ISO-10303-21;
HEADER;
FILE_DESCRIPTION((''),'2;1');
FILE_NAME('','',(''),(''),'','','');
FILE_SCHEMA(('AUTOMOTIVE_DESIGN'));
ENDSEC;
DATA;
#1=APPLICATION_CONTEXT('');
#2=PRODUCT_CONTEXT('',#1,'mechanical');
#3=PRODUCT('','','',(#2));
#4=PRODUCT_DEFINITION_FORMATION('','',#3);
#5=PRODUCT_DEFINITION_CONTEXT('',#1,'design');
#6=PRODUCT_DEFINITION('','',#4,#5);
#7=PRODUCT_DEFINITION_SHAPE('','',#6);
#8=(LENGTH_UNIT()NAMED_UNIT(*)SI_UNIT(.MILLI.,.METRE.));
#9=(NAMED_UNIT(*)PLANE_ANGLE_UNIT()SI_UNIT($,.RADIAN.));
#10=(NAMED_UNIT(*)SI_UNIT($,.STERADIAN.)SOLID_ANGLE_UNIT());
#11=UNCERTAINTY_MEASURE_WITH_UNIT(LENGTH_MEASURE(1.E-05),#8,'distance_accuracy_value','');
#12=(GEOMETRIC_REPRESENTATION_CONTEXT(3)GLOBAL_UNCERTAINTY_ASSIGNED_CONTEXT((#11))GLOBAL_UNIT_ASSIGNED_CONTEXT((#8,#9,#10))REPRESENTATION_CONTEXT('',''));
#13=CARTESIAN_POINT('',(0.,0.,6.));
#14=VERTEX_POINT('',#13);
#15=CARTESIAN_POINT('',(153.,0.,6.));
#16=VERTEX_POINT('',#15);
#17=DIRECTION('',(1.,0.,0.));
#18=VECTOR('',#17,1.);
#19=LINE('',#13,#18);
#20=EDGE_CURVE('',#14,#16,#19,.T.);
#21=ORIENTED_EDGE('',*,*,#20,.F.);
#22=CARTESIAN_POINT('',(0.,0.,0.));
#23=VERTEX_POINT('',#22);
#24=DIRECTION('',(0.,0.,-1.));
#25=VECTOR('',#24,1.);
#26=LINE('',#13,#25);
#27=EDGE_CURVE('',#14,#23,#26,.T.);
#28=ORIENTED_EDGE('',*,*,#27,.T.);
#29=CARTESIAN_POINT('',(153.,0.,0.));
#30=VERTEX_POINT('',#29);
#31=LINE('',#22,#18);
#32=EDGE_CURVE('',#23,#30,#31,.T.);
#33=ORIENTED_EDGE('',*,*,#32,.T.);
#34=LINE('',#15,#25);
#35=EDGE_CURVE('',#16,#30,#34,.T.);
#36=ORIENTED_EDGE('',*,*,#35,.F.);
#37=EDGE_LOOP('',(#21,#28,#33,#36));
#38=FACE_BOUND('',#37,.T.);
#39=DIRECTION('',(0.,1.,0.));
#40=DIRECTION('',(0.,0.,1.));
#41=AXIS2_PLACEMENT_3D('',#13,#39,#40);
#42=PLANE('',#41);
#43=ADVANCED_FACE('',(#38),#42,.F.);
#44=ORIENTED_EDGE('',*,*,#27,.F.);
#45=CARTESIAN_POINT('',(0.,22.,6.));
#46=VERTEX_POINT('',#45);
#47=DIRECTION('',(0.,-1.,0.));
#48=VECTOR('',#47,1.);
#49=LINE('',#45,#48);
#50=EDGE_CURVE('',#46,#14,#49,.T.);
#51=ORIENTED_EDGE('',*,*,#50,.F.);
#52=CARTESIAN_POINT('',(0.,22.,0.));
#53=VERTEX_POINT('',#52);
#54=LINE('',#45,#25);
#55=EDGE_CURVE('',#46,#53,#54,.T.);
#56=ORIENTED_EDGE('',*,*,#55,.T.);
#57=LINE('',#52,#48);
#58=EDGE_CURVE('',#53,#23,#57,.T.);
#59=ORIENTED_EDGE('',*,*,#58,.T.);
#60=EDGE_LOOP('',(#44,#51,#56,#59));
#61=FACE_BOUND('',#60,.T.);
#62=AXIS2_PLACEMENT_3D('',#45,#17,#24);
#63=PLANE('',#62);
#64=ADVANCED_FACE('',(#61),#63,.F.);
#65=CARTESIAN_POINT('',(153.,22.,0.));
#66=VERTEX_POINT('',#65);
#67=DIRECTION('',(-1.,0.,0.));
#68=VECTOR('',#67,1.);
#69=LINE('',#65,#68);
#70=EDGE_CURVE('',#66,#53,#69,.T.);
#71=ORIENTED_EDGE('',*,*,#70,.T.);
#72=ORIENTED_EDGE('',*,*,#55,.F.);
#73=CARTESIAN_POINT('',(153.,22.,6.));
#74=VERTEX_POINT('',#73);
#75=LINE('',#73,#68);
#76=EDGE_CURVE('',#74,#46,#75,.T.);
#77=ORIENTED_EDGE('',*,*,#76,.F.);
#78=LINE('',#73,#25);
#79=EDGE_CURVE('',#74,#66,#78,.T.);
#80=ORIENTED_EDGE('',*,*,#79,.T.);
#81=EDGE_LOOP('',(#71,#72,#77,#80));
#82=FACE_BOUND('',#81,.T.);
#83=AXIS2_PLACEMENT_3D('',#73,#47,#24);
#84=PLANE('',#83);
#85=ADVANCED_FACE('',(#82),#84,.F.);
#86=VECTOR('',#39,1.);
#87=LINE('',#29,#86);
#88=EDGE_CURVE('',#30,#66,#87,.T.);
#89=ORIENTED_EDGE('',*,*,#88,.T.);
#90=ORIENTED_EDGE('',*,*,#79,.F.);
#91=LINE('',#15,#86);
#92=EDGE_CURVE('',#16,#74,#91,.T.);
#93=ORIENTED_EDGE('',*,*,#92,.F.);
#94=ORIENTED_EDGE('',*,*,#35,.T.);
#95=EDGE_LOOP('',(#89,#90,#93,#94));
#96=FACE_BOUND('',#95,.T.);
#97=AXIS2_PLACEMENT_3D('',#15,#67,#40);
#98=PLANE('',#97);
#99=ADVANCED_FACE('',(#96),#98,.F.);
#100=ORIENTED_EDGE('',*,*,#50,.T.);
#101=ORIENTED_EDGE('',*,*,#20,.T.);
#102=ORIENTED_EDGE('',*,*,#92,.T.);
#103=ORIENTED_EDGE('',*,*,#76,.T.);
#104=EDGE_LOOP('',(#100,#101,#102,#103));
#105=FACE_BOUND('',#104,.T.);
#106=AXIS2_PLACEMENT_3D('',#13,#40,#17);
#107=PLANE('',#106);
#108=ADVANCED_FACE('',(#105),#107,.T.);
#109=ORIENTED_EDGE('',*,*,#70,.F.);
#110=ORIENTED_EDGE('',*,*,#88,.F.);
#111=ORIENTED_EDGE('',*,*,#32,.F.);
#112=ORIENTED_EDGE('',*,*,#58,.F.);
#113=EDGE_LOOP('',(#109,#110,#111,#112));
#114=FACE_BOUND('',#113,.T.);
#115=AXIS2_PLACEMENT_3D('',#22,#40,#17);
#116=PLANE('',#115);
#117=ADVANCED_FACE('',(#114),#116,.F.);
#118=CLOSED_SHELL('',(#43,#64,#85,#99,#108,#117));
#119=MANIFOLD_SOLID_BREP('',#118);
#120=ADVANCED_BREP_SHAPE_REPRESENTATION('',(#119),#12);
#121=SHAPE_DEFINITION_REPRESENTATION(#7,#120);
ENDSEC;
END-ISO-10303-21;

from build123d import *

# Parameters (mm, degrees)
SKETCH_1_W          = 153
SKETCH_1_H          = 22
SEAT_TO_FRAME_DEPTH = 6


with BuildPart() as part:
    # 草图1 → Seat_to_frame (new body)
    with BuildSketch(Plane.XY):
        with Locations((76.5, 11)):
            Rectangle(SKETCH_1_W, SKETCH_1_H)
    extrude(amount=SEAT_TO_FRAME_DEPTH)


solid = part.part
